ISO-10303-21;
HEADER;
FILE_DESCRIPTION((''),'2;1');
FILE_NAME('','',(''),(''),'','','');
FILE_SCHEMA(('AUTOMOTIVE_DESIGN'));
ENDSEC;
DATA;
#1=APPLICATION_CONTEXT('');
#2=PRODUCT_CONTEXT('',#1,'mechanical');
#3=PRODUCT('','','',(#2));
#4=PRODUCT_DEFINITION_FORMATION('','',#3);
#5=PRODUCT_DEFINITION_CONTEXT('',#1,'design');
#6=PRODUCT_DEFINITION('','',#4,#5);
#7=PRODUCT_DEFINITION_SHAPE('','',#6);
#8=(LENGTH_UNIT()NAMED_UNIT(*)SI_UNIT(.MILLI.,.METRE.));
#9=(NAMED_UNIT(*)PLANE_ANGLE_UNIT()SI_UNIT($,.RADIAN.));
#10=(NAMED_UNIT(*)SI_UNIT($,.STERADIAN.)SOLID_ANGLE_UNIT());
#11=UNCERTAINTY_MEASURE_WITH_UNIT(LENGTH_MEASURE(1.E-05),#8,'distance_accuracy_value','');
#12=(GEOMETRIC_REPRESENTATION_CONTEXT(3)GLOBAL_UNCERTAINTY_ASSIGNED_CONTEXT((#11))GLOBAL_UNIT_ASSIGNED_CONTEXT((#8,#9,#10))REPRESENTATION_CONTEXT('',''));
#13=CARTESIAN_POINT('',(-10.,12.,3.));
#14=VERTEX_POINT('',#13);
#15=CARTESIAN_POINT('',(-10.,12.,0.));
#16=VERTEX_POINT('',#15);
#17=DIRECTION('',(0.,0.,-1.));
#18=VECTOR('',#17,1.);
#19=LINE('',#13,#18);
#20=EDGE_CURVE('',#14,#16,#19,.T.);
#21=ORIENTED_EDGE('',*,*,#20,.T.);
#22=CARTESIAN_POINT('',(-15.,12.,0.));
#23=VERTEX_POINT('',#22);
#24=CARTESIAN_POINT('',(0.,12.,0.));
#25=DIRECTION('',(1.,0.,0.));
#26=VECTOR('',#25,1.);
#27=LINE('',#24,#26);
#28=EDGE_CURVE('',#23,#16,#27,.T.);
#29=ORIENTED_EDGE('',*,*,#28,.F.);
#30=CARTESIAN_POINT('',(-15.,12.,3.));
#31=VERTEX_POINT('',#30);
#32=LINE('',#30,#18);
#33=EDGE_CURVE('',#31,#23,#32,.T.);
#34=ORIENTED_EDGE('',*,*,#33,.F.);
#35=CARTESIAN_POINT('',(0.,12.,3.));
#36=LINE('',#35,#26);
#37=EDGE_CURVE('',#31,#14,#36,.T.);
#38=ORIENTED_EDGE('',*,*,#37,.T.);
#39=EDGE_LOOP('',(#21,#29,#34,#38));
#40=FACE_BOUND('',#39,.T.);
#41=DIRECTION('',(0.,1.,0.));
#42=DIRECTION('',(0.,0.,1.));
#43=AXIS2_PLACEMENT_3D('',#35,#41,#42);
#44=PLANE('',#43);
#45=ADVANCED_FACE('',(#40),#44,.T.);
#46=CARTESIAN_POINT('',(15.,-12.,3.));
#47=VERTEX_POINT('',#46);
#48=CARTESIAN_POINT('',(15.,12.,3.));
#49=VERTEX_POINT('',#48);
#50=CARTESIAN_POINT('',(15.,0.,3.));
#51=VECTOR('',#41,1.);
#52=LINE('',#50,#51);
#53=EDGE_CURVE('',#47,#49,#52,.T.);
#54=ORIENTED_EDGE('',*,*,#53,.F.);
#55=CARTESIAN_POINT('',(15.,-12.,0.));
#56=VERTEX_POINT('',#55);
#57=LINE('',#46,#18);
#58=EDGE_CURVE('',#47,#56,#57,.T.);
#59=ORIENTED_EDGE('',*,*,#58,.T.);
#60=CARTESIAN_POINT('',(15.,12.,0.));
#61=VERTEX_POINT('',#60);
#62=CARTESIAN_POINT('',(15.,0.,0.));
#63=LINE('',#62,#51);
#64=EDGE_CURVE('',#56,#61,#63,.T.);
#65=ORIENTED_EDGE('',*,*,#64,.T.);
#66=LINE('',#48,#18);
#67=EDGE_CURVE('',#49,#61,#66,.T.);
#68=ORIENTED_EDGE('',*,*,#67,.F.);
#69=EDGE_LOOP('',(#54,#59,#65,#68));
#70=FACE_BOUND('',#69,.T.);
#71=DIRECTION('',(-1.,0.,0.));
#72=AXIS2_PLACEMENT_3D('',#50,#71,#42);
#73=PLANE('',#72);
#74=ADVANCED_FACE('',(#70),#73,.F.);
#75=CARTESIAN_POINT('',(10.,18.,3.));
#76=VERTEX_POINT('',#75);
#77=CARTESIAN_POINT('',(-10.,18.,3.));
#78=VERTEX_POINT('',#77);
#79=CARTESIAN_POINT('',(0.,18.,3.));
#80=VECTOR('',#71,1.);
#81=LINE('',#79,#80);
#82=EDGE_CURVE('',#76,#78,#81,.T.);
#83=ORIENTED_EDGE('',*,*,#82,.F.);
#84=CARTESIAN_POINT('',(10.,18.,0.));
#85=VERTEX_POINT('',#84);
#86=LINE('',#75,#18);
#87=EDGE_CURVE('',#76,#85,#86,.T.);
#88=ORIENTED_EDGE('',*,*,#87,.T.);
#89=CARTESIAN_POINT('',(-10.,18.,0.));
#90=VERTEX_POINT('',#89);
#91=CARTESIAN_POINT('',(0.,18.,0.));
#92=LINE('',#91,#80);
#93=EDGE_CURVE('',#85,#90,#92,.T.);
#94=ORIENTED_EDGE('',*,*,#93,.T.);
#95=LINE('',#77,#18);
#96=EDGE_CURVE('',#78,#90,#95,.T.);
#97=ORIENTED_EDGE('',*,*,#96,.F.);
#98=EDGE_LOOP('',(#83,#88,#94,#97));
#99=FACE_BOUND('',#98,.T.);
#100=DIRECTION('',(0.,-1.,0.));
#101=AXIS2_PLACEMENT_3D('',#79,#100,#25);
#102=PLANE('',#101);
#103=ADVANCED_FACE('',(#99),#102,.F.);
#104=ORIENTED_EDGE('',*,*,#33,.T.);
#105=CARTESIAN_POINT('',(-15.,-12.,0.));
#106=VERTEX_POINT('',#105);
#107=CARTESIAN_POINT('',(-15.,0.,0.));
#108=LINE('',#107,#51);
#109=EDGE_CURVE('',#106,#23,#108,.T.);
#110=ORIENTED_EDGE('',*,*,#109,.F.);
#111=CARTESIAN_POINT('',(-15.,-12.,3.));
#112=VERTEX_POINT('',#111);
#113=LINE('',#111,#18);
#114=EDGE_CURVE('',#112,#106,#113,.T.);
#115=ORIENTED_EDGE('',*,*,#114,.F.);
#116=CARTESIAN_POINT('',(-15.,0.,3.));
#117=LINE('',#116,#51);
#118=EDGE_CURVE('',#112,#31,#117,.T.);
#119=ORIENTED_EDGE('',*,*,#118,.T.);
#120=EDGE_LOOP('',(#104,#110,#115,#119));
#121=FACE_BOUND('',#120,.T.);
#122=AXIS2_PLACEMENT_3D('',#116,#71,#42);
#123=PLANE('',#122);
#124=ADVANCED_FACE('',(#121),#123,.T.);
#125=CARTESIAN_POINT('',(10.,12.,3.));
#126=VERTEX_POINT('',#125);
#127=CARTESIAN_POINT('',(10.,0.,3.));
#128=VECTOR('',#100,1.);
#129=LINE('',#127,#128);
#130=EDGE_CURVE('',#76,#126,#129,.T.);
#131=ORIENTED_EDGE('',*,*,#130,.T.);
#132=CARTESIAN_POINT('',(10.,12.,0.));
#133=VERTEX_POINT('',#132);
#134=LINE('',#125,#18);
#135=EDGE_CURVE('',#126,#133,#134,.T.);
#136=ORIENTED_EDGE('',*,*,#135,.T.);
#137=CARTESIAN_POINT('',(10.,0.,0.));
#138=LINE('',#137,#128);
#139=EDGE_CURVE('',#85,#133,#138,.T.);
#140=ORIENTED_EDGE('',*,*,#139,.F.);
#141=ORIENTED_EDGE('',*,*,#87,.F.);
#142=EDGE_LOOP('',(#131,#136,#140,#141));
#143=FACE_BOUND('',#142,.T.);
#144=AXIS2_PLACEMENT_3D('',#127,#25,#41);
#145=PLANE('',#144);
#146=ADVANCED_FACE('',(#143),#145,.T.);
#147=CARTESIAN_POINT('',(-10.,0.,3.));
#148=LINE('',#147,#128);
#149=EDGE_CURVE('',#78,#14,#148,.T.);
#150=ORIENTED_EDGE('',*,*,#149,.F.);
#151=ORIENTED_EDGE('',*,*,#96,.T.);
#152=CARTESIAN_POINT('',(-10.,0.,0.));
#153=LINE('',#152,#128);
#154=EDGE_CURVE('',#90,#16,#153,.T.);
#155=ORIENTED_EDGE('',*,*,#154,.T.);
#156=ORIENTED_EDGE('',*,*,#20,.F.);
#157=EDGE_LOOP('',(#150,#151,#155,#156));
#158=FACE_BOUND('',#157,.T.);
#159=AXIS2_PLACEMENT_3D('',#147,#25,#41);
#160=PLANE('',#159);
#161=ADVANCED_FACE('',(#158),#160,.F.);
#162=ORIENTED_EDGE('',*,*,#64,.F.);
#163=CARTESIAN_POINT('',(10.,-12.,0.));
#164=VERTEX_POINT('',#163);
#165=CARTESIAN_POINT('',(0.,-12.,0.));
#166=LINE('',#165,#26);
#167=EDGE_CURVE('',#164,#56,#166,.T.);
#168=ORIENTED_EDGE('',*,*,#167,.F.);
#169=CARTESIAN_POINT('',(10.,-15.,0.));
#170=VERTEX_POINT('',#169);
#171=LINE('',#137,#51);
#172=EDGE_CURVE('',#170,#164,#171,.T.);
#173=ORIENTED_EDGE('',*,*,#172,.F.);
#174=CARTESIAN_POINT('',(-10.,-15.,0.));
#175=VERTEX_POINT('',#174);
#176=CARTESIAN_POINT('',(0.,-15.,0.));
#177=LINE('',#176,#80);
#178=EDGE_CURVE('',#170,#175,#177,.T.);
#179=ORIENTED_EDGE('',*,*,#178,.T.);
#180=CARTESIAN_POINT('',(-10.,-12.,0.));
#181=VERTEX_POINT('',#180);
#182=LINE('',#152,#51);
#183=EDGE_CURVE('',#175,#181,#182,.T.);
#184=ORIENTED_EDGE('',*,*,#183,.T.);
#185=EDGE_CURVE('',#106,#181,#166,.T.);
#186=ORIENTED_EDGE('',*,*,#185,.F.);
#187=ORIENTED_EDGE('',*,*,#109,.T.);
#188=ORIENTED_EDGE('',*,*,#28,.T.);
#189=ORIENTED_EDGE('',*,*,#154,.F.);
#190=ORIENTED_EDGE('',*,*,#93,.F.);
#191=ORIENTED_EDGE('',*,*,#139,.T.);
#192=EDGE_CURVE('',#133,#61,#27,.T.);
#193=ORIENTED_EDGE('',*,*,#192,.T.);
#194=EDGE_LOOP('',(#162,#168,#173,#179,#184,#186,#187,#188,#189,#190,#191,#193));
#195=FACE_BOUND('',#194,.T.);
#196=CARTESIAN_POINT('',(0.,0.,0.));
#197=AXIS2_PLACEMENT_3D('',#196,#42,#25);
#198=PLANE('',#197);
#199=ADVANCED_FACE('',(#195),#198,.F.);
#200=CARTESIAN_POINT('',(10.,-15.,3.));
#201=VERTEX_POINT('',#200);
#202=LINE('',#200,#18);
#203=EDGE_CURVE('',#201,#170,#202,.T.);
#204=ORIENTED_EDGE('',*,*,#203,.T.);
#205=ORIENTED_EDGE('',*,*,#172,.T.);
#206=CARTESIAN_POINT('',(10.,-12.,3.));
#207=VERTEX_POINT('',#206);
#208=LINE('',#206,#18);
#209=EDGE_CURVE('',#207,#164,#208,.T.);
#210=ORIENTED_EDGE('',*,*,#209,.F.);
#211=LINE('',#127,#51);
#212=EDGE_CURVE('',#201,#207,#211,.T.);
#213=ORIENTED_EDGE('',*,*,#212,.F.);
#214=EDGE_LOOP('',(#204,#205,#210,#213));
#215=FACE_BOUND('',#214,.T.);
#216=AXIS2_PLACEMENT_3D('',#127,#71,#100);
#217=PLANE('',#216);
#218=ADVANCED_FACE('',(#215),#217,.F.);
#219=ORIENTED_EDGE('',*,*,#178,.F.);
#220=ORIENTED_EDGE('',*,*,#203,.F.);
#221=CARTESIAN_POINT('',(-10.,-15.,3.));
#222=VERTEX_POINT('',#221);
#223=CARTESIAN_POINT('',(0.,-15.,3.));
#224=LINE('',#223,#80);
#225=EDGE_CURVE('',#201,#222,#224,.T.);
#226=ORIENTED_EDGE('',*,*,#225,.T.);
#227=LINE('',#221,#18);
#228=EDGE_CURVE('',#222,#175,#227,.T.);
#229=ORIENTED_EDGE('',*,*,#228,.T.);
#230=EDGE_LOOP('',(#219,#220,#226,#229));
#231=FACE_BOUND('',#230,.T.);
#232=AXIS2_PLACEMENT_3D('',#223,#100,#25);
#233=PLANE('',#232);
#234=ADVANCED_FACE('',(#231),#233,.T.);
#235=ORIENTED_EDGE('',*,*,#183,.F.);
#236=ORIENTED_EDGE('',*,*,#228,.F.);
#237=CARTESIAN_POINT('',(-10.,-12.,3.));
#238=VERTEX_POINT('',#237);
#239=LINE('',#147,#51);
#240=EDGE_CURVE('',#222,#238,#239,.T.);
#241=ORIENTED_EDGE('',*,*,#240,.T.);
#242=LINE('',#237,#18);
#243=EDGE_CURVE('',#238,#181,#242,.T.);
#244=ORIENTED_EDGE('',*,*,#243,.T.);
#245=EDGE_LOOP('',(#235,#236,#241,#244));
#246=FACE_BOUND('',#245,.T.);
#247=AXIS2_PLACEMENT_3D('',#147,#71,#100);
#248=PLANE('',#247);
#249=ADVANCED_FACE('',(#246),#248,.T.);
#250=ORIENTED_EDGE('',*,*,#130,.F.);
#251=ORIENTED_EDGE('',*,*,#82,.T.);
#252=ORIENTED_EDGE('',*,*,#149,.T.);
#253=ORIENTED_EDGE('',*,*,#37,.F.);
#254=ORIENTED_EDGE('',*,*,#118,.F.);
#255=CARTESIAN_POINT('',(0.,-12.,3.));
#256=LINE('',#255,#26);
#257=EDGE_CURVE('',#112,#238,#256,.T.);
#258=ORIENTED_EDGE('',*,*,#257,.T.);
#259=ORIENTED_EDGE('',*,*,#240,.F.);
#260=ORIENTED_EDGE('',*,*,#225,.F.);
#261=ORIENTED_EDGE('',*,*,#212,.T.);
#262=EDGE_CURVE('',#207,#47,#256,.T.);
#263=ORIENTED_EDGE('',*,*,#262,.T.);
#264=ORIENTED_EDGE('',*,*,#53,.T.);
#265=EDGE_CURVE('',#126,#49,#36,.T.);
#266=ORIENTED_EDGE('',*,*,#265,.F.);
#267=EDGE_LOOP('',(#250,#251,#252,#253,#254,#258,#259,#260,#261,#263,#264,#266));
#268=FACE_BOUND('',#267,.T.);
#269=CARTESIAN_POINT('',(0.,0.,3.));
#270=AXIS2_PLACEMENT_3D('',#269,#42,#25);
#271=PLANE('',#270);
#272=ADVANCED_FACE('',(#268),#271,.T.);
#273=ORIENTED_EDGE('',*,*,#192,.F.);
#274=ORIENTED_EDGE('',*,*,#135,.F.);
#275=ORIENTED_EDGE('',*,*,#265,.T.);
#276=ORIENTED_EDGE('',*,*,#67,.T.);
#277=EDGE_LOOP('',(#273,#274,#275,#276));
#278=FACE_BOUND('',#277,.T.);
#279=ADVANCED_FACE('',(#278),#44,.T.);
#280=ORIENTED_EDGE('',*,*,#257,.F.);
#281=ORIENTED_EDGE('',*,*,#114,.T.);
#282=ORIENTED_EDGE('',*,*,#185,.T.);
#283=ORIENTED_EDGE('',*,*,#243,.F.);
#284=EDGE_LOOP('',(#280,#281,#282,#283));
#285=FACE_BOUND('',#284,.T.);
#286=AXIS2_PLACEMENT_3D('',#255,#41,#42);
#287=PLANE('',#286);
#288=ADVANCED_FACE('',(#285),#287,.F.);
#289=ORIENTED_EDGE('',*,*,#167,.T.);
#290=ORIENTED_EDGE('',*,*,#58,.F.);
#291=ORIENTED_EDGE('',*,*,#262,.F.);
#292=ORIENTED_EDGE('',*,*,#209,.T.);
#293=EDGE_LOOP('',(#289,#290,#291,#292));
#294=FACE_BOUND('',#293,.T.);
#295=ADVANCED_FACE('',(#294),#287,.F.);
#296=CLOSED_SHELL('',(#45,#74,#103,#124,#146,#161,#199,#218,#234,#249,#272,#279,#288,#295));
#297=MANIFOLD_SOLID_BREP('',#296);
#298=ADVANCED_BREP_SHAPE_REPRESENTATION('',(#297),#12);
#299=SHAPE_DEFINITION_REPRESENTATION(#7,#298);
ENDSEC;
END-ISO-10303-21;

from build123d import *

# Parameters (mm, degrees)
ESBO_O1_W                = 30
ESBO_O1_H                = 24
ESBO_O1_W_2              = 20
ESBO_O1_H_2              = 6
ESBO_O1_H_3              = 3
RESSALTO_EXTRUS_O1_DEPTH = 3


with BuildPart() as part:
    # Esboço1 → Ressalto-extrusão1 (new body)
    with BuildSketch(Plane.XY):
        Rectangle(ESBO_O1_W, ESBO_O1_H)
        with Locations((0, 15)):
            Rectangle(ESBO_O1_W_2, ESBO_O1_H_2)
        with Locations((0, -13.5)):
            Rectangle(ESBO_O1_W_2, ESBO_O1_H_3)
    extrude(amount=RESSALTO_EXTRUS_O1_DEPTH)


solid = part.part
